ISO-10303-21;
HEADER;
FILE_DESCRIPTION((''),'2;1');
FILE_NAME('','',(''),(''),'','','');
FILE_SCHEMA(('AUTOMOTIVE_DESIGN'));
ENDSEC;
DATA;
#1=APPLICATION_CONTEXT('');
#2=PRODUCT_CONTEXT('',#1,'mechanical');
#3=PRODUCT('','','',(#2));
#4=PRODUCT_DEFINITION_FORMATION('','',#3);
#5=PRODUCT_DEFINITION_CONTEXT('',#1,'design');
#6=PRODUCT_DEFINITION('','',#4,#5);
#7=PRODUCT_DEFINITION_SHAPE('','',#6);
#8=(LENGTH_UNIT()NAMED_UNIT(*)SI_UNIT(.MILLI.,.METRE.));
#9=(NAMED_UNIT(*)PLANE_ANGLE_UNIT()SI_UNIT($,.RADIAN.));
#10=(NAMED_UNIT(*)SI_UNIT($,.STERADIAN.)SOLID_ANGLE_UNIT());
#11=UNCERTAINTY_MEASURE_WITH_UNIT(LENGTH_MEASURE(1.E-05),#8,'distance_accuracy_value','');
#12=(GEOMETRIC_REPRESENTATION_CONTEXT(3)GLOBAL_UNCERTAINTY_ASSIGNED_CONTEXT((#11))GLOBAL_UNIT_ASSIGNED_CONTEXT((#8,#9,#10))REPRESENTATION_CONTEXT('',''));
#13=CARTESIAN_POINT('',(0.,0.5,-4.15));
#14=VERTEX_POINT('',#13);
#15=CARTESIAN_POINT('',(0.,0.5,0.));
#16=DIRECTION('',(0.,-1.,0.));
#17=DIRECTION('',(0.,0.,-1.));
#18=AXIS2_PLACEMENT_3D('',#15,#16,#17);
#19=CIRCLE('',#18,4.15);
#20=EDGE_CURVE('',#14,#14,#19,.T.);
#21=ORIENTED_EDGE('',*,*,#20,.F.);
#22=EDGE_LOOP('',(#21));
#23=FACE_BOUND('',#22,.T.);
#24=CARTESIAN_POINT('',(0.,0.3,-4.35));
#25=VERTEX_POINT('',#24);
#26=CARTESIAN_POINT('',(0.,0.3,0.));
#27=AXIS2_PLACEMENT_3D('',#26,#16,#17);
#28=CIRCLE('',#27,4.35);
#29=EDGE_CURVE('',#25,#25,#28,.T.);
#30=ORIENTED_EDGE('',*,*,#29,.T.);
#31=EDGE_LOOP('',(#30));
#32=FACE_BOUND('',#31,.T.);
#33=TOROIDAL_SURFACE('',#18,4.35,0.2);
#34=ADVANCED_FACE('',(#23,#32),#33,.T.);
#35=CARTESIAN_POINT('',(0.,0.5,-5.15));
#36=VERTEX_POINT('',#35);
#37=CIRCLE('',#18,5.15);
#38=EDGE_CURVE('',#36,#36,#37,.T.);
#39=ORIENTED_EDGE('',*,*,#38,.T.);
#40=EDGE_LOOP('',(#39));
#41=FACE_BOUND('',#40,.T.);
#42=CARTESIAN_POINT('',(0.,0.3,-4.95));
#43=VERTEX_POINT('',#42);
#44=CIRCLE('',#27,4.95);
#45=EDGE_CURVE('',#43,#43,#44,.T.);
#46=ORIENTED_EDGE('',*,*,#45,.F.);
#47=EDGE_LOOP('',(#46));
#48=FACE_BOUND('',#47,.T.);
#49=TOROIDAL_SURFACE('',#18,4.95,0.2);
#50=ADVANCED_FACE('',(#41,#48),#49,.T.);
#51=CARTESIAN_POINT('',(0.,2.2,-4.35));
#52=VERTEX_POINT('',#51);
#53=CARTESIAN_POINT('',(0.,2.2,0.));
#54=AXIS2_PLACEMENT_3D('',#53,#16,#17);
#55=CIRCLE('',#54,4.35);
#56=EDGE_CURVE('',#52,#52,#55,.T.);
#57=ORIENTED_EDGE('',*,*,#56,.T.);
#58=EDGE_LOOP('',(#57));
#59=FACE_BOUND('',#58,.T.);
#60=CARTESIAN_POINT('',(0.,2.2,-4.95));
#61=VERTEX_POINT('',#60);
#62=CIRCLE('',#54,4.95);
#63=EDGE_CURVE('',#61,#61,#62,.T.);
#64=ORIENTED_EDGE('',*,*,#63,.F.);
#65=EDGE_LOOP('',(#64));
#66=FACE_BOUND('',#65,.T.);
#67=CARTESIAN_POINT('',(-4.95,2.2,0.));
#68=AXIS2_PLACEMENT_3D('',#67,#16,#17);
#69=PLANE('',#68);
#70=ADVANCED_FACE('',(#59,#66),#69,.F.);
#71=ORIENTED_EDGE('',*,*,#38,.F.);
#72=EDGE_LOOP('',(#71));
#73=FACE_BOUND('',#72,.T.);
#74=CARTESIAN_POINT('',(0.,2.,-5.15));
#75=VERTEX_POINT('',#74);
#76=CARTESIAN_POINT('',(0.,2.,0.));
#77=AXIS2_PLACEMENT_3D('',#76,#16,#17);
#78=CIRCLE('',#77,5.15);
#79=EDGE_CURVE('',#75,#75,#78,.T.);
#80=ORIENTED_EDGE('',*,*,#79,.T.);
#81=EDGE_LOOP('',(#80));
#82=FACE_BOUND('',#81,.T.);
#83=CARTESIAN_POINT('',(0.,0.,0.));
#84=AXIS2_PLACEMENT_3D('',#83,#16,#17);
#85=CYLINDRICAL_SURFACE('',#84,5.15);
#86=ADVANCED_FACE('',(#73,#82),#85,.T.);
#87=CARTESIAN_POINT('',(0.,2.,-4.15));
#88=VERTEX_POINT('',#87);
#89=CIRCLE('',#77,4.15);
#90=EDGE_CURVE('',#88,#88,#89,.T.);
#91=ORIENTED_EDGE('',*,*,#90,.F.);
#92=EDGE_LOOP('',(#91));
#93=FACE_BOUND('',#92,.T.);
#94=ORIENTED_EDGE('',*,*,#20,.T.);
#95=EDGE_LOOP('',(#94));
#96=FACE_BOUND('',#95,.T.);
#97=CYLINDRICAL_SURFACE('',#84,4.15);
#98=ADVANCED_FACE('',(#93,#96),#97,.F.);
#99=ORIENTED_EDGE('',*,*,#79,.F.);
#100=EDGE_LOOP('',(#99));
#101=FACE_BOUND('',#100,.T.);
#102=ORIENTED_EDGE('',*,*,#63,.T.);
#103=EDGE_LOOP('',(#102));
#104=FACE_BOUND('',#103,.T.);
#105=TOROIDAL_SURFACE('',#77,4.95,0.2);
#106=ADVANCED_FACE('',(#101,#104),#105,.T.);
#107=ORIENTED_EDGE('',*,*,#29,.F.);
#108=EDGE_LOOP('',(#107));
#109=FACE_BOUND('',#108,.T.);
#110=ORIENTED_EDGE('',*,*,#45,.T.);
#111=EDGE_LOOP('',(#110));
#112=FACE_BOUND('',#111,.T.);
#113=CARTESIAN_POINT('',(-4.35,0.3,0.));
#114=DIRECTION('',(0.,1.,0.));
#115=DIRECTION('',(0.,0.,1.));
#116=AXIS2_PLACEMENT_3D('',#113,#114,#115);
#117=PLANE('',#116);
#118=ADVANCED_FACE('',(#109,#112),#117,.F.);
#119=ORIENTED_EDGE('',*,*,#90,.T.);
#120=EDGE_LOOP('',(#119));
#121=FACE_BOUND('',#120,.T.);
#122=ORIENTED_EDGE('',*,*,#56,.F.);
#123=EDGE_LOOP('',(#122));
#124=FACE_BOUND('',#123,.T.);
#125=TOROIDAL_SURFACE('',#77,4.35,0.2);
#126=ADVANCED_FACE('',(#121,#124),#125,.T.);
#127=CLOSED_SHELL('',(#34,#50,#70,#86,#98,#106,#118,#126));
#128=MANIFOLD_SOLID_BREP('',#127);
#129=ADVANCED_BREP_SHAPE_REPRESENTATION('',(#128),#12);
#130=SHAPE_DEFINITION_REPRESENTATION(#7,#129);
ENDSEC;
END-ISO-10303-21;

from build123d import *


with BuildPart() as part:
    # Эскиз1 → Повернуть1 (revolve)
    with BuildSketch(Plane.XY, mode=Mode.PRIVATE) as revolve_1_sk:
        with BuildLine():
            Line((-4.35, 0.3), (-4.95, 0.3))
            ThreePointArc((-4.95, 0.3), (-5.091421356, 0.358578644), (-5.15, 0.5))
            Line((-5.15, 0.5), (-5.15, 2))
            ThreePointArc((-5.15, 2), (-5.091421356, 2.141421356), (-4.95, 2.2))
            Line((-4.95, 2.2), (-4.35, 2.2))
            ThreePointArc((-4.35, 2.2), (-4.208578644, 2.141421356), (-4.15, 2))
            Line((-4.15, 2), (-4.15, 0.5))
            ThreePointArc((-4.15, 0.5), (-4.208578644, 0.358578644), (-4.35, 0.3))
        make_face()
    revolve(revolve_1_sk.sketch.rotate(Axis((0, 0, 0), (0, 1, 0)), 270), axis=Axis((0, 0, 0), (0, 1, 0)))


solid = part.part
